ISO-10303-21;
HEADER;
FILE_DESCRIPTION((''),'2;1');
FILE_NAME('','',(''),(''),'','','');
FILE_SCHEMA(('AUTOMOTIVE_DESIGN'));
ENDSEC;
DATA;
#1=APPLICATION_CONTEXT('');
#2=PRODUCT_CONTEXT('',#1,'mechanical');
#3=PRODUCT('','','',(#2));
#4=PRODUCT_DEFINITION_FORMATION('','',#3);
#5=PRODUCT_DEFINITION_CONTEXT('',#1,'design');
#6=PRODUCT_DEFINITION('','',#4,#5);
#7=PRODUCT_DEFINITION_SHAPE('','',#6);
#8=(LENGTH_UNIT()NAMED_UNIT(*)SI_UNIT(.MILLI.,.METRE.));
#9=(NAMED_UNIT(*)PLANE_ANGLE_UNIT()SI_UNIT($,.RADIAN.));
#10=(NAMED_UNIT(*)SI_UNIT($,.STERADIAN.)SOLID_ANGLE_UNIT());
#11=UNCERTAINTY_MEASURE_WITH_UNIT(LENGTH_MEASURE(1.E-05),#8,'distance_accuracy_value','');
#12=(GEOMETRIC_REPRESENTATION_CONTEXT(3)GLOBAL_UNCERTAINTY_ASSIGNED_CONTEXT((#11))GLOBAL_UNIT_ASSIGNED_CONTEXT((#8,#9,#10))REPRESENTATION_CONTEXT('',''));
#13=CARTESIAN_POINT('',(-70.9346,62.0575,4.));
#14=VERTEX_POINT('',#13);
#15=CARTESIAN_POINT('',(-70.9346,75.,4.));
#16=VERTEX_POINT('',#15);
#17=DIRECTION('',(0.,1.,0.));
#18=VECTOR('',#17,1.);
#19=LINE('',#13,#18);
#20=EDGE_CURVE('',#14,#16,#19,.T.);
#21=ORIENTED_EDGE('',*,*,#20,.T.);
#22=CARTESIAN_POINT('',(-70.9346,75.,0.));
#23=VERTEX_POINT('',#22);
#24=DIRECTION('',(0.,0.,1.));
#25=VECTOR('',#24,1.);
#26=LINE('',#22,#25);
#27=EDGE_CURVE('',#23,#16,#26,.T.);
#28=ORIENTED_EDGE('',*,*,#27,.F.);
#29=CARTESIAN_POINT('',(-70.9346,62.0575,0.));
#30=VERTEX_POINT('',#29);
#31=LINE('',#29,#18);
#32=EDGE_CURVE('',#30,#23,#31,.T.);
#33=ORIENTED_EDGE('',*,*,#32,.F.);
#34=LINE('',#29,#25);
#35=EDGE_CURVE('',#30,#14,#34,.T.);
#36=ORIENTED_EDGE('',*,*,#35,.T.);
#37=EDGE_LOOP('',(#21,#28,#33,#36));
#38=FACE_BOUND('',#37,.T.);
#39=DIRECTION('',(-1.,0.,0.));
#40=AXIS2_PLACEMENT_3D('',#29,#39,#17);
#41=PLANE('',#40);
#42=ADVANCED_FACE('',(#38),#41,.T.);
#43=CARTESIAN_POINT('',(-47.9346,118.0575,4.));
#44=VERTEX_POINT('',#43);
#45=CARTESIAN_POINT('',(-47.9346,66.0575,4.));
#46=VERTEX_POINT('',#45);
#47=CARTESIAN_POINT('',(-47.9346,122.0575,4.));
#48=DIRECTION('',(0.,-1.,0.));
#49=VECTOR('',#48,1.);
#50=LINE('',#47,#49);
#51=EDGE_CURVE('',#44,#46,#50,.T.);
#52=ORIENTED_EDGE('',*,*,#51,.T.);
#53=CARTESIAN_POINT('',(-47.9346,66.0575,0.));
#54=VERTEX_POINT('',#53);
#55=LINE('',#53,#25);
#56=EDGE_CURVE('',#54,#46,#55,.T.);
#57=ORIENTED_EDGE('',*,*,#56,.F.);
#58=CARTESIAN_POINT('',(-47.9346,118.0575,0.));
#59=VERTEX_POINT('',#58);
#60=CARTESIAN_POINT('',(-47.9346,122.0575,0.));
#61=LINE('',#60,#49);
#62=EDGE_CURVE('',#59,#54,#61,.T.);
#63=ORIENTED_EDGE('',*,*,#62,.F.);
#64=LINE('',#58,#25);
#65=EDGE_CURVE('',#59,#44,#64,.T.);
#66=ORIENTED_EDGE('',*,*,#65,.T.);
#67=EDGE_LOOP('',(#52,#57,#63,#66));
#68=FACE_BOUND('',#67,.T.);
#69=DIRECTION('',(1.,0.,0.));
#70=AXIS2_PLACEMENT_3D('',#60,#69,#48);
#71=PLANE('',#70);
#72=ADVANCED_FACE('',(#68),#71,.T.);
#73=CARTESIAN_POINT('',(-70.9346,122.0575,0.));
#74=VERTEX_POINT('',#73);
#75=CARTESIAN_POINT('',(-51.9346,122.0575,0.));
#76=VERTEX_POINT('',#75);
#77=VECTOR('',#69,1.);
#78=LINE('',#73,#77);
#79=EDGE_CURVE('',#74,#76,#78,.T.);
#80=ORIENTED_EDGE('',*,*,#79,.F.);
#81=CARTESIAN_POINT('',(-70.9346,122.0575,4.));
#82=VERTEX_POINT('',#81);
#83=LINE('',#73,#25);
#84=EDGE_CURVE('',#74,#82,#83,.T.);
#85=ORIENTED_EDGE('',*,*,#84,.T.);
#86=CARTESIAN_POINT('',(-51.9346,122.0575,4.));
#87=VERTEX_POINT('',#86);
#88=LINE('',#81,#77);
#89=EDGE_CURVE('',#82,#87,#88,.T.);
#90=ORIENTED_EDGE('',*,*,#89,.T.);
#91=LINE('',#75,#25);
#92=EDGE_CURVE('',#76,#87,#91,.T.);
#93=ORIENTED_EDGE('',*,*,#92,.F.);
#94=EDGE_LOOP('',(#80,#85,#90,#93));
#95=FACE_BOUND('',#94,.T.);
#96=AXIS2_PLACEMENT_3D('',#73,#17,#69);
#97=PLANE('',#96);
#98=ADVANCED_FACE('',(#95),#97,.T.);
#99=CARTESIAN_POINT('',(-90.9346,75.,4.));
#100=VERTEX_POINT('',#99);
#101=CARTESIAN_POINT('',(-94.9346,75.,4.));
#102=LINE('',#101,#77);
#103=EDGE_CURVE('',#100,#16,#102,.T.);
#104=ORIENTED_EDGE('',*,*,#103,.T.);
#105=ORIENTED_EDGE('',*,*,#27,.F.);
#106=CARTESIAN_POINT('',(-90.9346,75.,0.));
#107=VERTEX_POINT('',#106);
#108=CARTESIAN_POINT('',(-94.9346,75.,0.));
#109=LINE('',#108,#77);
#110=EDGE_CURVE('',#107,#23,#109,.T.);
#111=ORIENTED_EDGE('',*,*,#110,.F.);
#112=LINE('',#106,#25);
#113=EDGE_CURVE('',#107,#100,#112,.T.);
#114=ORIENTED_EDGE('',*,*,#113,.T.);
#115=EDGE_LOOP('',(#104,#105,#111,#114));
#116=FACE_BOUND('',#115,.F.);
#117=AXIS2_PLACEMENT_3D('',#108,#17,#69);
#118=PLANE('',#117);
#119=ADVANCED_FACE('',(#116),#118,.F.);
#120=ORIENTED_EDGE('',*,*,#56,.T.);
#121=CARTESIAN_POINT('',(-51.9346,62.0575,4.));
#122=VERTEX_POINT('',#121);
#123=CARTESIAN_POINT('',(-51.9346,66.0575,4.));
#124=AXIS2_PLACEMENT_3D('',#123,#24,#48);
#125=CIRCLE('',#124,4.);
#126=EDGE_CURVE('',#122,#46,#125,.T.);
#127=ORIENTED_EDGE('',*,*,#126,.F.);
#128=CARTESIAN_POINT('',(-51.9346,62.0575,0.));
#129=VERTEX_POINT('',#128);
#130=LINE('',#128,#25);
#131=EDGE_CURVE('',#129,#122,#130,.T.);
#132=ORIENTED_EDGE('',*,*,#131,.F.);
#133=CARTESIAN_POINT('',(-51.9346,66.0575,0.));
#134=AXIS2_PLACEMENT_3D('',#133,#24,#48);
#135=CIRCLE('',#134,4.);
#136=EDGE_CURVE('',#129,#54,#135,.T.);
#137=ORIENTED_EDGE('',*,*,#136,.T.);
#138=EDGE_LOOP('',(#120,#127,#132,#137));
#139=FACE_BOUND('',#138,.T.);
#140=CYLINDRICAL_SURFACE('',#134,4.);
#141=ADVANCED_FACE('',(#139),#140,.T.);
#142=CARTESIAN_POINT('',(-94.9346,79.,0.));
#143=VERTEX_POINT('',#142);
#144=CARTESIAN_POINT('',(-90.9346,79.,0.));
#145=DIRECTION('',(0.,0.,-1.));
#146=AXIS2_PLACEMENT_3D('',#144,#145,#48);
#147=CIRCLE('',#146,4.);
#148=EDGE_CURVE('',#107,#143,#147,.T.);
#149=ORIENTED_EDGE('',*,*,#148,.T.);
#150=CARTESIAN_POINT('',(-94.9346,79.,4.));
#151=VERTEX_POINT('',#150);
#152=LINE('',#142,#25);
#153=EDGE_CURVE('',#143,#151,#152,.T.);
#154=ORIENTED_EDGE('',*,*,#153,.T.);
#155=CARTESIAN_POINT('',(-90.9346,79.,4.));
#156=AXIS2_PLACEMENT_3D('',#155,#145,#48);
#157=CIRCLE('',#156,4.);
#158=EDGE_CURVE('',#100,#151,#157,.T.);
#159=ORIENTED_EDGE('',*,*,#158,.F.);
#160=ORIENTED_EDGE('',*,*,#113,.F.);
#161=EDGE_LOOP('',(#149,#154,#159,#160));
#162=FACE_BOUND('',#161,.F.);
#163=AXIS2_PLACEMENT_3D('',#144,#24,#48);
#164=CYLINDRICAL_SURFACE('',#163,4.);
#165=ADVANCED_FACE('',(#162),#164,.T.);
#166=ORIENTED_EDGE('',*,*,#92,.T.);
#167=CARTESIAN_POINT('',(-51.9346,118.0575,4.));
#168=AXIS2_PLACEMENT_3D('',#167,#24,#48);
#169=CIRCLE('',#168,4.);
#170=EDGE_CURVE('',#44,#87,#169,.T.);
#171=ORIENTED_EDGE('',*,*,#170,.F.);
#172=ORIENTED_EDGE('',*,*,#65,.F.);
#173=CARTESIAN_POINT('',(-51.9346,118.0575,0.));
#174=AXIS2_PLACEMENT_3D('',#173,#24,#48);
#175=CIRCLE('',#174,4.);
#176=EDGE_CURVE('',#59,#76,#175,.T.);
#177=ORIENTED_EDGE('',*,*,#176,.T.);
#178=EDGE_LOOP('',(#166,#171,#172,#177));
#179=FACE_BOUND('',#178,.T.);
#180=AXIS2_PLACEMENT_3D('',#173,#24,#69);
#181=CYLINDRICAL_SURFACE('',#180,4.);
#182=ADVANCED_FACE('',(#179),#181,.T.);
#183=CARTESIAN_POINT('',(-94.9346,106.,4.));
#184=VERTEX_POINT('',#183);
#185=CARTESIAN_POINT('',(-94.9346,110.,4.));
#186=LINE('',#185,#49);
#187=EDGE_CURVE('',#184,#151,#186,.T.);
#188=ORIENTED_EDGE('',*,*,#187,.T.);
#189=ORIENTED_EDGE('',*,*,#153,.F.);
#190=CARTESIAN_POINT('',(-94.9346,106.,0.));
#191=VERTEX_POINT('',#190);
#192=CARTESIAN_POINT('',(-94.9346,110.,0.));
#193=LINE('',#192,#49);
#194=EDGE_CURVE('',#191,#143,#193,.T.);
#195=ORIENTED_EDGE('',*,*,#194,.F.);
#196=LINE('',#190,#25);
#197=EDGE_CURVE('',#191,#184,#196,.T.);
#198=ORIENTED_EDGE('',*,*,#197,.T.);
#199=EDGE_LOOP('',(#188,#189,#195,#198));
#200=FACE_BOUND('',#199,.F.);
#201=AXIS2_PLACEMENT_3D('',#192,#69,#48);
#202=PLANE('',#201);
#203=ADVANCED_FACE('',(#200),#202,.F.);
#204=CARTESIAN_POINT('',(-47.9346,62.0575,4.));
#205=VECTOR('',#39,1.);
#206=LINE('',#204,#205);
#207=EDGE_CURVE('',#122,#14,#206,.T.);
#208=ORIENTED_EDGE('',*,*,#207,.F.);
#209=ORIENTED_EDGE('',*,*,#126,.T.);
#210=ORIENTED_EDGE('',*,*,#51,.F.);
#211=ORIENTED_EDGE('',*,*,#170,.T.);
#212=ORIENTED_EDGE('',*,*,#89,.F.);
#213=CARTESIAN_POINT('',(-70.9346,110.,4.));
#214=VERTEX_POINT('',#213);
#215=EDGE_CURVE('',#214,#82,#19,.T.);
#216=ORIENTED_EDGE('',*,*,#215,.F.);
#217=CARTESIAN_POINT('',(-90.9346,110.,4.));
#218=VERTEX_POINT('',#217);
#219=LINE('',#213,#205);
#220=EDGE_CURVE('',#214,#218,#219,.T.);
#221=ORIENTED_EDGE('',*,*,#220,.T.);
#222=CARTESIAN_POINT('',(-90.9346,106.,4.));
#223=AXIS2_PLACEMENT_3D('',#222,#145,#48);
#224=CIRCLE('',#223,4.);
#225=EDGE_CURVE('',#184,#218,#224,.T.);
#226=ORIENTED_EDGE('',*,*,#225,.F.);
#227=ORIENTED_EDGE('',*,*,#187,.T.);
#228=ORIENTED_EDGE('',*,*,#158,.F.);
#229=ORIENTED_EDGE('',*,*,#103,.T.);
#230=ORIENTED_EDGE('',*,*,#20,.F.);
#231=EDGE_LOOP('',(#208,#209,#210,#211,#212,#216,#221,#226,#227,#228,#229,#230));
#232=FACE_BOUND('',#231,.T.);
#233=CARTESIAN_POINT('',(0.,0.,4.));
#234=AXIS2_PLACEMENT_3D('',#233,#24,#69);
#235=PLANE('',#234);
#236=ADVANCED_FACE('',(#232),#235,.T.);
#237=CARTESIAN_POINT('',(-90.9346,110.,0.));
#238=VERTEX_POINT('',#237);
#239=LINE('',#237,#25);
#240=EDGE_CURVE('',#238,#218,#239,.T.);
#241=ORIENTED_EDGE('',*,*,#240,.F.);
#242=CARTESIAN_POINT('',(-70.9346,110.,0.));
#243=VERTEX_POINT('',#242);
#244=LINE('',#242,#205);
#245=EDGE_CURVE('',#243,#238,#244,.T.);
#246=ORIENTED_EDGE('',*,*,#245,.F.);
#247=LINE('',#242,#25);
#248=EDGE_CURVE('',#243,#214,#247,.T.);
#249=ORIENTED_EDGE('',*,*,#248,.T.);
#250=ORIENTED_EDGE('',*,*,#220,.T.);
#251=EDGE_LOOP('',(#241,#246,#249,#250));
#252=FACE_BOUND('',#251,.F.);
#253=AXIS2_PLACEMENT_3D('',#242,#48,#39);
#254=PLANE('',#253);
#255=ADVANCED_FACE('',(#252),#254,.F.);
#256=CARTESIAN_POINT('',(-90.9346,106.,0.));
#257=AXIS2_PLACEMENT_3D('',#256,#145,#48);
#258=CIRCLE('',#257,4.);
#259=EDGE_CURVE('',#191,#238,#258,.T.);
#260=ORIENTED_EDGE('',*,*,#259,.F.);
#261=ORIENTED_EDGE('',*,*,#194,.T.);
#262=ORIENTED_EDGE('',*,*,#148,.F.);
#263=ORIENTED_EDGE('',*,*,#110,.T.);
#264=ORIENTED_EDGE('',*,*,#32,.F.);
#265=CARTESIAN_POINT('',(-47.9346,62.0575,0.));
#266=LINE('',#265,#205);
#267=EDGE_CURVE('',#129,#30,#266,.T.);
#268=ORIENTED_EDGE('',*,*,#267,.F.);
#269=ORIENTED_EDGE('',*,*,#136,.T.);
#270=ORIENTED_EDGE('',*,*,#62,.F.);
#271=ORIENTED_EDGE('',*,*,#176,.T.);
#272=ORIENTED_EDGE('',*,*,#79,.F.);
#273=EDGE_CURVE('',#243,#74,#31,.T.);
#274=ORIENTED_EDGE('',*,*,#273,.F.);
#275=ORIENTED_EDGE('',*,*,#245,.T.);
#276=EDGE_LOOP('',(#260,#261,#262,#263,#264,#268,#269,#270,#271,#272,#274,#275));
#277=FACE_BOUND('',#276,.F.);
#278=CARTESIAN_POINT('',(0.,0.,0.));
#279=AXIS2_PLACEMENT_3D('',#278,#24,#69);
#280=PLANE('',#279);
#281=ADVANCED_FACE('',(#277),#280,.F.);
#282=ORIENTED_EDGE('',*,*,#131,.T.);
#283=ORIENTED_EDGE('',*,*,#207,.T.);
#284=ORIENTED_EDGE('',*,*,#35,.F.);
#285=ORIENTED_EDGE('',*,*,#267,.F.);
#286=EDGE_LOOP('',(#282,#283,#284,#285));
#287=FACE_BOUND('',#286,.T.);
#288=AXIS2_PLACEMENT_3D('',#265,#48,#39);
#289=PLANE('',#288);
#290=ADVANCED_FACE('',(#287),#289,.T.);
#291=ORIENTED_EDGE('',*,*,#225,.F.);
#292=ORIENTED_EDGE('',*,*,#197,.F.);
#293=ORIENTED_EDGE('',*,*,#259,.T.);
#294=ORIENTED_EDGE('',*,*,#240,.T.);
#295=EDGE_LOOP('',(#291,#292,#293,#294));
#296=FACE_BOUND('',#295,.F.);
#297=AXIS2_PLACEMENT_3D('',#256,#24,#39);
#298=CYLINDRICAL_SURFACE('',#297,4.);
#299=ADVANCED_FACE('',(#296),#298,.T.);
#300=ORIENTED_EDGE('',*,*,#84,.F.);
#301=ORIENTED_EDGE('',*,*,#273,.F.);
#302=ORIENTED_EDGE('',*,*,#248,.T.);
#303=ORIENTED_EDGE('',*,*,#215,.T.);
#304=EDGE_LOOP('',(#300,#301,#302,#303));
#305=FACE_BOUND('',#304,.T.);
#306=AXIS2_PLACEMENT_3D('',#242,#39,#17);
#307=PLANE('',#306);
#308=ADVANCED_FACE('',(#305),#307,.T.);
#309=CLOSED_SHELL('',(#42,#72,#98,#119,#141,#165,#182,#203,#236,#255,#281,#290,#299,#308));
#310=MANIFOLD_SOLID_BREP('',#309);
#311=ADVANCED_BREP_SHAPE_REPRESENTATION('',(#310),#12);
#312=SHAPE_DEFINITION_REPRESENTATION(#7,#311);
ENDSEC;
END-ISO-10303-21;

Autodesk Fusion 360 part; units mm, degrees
sketch "Sketch1" plane through (0, 0, 0) normal (0, 0, 1) x (1, 0, 0)
  line L0 (-47.9346, 62.0575) -> (-70.9346, 62.0575)
  line L1 (-70.9346, 62.0575) -> (-70.9346, 122.0575)
  line L2 (-70.9346, 122.0575) -> (-47.9346, 122.0575)
  line L3 (-47.9346, 122.0575) -> (-47.9346, 62.0575)
  line L4 (-70.9346, 110) -> (-94.9346, 110)
  line L5 (-94.9346, 110) -> (-94.9346, 75)
  line L6 (-94.9346, 75) -> (-70.9346, 75)
  line L7 (-70.9346, 75) -> (-70.9346, 110)
  dimension "d1" = 35
  dimension "d3" = 60
  dimension "d4" = 24
  dimension "d10" = 23
extrude "Extrude1" add sketch "Sketch1" along normal blind 4
fillet "Fillet1" radius 4 2 edges at (-47.9346, 62.0575, 2) (-47.9346, 122.0575, 2)
fillet "Fillet1" radius 4 2 edges at (-94.9346, 75, 2) (-94.9346, 110, 2)
